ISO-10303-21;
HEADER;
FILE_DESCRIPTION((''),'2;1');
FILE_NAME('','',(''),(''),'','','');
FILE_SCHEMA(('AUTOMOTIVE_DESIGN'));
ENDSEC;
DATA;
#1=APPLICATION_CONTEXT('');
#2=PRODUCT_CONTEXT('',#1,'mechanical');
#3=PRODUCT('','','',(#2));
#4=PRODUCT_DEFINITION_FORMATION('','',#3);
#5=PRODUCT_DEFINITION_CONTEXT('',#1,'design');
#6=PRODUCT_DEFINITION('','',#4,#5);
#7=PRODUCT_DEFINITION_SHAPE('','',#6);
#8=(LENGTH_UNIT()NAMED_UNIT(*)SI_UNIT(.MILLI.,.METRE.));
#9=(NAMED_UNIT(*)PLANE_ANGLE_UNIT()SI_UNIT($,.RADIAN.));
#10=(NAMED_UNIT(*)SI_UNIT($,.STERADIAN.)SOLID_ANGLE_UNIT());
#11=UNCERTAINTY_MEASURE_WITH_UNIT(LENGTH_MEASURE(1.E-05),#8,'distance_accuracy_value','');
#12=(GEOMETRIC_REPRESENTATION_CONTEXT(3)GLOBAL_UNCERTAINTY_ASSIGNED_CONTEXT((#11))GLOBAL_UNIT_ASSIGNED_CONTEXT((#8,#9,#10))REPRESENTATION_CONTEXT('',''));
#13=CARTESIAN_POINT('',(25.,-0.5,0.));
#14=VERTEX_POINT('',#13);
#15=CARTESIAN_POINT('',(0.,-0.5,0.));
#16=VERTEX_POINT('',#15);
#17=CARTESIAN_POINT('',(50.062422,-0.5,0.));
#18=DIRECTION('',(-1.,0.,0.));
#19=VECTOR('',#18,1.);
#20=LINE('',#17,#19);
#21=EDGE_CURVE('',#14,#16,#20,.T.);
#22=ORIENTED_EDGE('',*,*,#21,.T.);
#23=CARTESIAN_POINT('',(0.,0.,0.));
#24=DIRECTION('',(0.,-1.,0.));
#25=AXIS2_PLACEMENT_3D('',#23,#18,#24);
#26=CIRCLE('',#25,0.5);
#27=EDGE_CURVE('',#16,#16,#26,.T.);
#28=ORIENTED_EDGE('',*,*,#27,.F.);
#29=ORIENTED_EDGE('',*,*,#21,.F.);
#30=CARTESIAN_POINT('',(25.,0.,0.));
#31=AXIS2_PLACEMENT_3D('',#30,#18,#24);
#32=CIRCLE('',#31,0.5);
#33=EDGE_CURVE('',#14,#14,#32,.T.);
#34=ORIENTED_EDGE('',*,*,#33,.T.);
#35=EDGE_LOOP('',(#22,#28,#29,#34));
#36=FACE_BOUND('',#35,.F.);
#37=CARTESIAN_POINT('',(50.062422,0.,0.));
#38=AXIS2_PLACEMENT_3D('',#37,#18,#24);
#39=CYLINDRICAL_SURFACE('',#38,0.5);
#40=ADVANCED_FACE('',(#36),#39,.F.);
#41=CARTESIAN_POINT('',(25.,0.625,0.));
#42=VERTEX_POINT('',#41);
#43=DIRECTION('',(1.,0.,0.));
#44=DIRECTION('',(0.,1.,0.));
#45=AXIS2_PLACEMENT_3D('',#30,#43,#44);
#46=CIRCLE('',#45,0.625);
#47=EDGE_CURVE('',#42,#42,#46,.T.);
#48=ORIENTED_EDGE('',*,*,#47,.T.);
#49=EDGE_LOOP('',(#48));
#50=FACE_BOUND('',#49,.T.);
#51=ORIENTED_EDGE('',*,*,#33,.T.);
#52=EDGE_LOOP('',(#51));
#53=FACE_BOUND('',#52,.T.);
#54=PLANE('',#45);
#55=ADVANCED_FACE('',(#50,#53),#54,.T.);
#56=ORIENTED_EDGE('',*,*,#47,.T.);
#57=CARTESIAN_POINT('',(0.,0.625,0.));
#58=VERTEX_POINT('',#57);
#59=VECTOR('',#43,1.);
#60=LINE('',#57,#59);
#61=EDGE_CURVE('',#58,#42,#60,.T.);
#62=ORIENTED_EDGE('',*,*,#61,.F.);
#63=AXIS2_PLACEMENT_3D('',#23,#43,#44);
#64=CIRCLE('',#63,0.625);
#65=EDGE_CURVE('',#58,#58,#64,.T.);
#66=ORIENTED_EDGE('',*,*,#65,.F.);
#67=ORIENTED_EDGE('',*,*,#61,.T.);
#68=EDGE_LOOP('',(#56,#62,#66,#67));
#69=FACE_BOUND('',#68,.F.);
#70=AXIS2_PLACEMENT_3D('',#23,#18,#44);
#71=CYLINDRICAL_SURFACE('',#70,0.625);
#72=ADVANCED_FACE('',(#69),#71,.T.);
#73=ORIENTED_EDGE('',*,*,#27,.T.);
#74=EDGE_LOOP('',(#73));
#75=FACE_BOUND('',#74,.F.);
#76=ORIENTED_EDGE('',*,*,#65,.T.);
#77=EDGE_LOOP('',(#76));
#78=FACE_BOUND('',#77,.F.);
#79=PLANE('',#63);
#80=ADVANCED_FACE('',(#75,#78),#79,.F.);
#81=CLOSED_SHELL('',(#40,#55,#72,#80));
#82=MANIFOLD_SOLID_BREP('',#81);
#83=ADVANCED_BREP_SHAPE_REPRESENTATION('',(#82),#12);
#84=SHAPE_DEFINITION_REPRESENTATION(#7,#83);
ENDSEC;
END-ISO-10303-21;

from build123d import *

# Parameters (mm, degrees)
F0_R     = 0.625
F1_DEPTH = 25
F3_D     = 1


with BuildPart() as f1:
    # F0 (on Right) → F1 (new body)
    with BuildSketch(Plane.YZ):
        Circle(F0_R)
    extrude(amount=F1_DEPTH)

    # F3 (through all)
    with Locations(Plane.YZ.offset(25)):
        with Locations((0, 0)):
            Hole(F3_D / 2)


solid = f1.part
